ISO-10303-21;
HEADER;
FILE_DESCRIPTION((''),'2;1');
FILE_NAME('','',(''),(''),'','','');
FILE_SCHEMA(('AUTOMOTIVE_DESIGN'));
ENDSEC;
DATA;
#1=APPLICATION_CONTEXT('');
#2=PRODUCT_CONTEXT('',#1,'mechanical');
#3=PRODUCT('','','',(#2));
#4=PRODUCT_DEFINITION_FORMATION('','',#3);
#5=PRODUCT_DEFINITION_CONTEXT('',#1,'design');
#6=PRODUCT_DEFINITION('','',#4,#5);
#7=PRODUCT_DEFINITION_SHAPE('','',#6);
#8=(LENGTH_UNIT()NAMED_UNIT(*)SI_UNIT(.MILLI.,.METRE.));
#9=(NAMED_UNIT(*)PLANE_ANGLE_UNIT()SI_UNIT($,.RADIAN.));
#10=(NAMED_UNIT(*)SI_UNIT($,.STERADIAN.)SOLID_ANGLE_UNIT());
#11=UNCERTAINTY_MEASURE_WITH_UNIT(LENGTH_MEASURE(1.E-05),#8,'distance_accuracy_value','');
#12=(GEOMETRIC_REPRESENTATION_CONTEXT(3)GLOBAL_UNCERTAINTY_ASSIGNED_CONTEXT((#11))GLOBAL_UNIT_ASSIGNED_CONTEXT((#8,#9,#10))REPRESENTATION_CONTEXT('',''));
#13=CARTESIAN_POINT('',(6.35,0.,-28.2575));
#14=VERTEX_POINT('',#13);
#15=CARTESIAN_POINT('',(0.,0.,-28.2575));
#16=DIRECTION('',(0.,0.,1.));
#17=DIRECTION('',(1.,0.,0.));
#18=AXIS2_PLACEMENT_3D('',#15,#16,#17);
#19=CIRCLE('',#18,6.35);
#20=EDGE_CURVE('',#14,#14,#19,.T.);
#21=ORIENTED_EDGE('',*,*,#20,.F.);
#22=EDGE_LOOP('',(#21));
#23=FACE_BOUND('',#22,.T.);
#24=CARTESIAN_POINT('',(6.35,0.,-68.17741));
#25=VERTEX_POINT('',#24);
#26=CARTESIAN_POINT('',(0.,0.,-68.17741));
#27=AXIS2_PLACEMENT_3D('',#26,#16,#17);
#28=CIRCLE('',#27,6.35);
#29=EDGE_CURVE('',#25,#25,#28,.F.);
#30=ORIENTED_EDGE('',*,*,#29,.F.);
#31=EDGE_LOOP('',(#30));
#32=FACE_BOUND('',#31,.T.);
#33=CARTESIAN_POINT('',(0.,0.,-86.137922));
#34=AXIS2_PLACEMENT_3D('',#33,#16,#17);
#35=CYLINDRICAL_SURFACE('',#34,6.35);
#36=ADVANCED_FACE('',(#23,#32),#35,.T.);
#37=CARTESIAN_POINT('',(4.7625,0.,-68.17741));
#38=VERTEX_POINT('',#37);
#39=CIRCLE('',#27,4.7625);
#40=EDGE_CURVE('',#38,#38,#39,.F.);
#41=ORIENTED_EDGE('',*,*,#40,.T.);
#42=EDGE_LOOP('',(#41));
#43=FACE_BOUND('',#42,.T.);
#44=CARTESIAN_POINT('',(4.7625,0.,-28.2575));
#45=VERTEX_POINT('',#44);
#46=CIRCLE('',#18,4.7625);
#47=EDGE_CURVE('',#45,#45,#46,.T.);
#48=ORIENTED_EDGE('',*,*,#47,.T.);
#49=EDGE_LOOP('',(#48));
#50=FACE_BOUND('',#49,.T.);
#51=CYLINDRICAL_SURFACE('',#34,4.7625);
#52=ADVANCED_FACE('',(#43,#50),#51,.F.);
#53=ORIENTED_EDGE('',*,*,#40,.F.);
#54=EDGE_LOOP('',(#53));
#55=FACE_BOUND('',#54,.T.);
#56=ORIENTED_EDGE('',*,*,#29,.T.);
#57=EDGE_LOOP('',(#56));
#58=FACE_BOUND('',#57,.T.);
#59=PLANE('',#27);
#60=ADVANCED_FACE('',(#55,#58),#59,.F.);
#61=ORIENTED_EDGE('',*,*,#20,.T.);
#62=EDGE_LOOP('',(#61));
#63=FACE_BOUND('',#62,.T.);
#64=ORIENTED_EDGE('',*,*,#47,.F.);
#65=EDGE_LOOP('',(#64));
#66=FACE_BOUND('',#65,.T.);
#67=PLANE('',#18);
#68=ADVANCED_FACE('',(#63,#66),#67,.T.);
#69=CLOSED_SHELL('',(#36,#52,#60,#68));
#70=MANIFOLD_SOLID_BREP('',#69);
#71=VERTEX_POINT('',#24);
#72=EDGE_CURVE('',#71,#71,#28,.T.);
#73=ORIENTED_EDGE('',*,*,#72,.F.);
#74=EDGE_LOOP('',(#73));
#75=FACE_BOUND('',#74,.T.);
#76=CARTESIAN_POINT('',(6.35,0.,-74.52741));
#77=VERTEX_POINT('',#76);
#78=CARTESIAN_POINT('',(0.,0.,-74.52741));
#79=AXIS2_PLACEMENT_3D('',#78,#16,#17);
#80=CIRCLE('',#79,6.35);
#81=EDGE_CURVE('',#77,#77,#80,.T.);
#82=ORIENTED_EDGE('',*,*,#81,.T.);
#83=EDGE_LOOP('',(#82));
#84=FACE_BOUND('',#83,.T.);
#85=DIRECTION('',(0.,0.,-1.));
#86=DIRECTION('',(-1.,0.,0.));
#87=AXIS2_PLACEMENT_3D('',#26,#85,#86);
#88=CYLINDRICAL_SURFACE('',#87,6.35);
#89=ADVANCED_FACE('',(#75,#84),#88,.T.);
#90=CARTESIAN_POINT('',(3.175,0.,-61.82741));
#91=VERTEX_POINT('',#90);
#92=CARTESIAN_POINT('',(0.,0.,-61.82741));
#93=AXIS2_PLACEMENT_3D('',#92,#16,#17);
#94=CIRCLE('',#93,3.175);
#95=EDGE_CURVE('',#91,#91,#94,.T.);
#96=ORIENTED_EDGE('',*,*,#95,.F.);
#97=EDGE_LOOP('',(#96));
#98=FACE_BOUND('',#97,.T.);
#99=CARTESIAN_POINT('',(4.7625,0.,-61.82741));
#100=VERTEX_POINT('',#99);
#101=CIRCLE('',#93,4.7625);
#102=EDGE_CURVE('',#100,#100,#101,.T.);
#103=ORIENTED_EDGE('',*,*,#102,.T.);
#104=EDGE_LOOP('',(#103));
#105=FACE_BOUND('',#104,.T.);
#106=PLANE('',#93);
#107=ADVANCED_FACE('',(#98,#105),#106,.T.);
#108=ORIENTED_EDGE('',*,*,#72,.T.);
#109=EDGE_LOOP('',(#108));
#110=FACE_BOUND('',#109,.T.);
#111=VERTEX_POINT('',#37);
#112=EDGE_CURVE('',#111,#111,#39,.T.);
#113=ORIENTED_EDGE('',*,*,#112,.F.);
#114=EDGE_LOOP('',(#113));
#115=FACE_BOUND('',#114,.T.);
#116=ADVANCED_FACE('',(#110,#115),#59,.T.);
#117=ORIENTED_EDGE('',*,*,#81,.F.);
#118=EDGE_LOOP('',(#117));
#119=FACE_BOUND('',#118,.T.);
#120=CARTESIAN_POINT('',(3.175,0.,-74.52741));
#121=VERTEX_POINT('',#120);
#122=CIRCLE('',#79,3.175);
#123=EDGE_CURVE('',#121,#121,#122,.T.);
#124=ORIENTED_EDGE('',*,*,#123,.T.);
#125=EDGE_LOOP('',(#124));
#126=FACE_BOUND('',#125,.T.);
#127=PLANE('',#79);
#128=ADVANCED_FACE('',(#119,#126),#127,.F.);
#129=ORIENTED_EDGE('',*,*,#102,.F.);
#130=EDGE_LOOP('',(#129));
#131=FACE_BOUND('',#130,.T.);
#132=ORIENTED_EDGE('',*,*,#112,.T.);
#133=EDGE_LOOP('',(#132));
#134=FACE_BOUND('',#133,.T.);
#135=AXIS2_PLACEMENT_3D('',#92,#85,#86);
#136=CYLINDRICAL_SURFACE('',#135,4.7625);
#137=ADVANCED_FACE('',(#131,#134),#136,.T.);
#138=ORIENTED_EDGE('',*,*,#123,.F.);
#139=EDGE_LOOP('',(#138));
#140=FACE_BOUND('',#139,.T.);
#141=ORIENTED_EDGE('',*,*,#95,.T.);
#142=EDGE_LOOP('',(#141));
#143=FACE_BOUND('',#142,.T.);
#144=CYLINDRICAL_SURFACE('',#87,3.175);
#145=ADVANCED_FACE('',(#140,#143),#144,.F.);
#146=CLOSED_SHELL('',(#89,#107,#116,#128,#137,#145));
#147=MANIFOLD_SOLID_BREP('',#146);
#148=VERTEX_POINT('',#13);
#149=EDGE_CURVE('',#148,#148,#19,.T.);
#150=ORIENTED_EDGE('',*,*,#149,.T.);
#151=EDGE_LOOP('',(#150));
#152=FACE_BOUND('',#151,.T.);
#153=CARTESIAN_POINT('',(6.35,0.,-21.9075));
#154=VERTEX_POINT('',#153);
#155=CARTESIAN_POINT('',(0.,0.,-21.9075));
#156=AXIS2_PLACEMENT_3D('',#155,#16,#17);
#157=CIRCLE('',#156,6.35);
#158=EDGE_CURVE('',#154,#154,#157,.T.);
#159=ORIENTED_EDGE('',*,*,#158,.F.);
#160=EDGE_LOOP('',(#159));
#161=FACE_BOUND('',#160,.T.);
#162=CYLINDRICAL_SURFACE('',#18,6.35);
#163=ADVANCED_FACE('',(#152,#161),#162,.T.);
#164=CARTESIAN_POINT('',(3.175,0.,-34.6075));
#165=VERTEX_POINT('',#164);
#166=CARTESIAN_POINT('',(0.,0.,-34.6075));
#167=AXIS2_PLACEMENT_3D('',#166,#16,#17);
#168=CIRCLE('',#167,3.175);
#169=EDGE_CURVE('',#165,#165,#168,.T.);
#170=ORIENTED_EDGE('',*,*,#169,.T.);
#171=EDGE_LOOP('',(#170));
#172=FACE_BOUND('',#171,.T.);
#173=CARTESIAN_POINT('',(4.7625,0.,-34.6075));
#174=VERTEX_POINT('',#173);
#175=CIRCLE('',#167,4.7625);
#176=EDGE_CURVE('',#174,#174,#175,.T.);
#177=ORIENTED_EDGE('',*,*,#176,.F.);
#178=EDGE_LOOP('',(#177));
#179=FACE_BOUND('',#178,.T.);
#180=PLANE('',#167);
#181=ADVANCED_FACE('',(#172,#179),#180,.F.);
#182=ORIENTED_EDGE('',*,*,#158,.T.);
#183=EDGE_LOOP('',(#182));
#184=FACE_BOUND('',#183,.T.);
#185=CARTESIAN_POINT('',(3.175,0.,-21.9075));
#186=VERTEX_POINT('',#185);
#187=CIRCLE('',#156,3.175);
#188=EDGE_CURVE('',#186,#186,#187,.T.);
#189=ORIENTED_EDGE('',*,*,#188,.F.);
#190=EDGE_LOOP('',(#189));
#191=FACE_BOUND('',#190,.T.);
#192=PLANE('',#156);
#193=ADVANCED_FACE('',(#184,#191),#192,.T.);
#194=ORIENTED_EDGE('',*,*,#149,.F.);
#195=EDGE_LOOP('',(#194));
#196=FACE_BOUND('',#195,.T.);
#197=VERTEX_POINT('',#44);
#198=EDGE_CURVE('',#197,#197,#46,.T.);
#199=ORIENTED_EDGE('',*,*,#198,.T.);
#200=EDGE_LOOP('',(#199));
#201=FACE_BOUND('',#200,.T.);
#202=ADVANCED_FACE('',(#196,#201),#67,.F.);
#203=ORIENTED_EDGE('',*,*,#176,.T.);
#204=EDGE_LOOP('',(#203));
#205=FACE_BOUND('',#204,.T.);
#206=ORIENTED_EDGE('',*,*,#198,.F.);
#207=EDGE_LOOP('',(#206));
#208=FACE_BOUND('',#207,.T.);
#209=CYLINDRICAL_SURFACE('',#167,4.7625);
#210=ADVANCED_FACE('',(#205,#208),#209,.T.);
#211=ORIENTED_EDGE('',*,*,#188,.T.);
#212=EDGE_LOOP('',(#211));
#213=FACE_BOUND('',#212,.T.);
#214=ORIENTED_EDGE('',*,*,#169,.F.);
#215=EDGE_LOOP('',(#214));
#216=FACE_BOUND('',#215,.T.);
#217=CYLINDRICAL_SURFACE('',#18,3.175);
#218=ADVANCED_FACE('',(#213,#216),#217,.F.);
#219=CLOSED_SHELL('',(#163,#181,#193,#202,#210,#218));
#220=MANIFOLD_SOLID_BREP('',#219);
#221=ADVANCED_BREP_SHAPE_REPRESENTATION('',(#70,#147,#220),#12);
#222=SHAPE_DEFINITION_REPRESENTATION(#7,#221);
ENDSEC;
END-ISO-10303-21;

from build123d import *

# Parameters (mm, degrees)
THREADED_START            = -21.9075
SKETCH2_R                 = 6.35
SKETCH2_R_2               = 4.7625
SKETCH2_R_3               = 3.175
THREADED_INSERT_1_1_DEPTH = 6.35
THREADED_START_2          = -28.2575
SKETCH2_5_R               = 4.7625
SKETCH2_5_R_2             = 3.175
THREADED_INSERT_1_2_DEPTH = 6.35
BOSS_EXTRUDE4_START       = -74.52741
SKETCH2_7_R               = 6.35
SKETCH2_7_R_2             = 4.7625
SKETCH2_7_R_3             = 3.175
BOSS_EXTRUDE4_DEPTH       = 6.35
BOSS_EXTRUDE5_START       = -61.82741
SKETCH2_8_R               = 4.7625
SKETCH2_8_R_2             = 3.175
BOSS_EXTRUDE5_DEPTH       = 6.35
BOSS_EXTRUDE6_START       = -28.2575
SKETCH2_9_R               = 6.35
SKETCH2_9_R_2             = 4.7625
BOSS_EXTRUDE6_DEPTH       = 39.91991


with BuildPart() as part:
    # Sketch2 → Threaded Insert 1-1 (new body)
    # profile 1 of 2: a face of its own
    with BuildSketch(Plane.XY.offset(THREADED_START)):
        Circle(SKETCH2_R)
        Circle(SKETCH2_R_2, mode=Mode.SUBTRACT)
    # profile 2 of 2: a face of its own
    with BuildSketch(Plane.XY.offset(THREADED_START)):
        Circle(SKETCH2_R_2)
        Circle(SKETCH2_R_3, mode=Mode.SUBTRACT)
    extrude(amount=-THREADED_INSERT_1_1_DEPTH)

    # Sketch2<5> → Threaded Insert 1-2 (add)
    with BuildSketch(Plane.XY.offset(THREADED_START_2)):
        Circle(SKETCH2_5_R)
        Circle(SKETCH2_5_R_2, mode=Mode.SUBTRACT)
    extrude(amount=-THREADED_INSERT_1_2_DEPTH)


with BuildPart() as body_2:
    # Sketch2<7> → Boss-Extrude4 (new body)
    # profile 1 of 2: a face of its own
    with BuildSketch(Plane.XY.offset(BOSS_EXTRUDE4_START)):
        Circle(SKETCH2_7_R)
        Circle(SKETCH2_7_R_2, mode=Mode.SUBTRACT)
    # profile 2 of 2: a face of its own
    with BuildSketch(Plane.XY.offset(BOSS_EXTRUDE4_START)):
        Circle(SKETCH2_7_R_2)
        Circle(SKETCH2_7_R_3, mode=Mode.SUBTRACT)
    extrude(amount=BOSS_EXTRUDE4_DEPTH)

    # Sketch2<8> → Boss-Extrude5 (add)
    with BuildSketch(Plane.XY.offset(BOSS_EXTRUDE5_START)):
        Circle(SKETCH2_8_R)
        Circle(SKETCH2_8_R_2, mode=Mode.SUBTRACT)
    extrude(amount=-BOSS_EXTRUDE5_DEPTH)


with BuildPart() as body_3:
    # Sketch2<9> → Boss-Extrude6 (new body)
    with BuildSketch(Plane.XY.offset(BOSS_EXTRUDE6_START)):
        Circle(SKETCH2_9_R)
        Circle(SKETCH2_9_R_2, mode=Mode.SUBTRACT)
    extrude(amount=-BOSS_EXTRUDE6_DEPTH)


solid = Compound([part.part, body_2.part, body_3.part])
